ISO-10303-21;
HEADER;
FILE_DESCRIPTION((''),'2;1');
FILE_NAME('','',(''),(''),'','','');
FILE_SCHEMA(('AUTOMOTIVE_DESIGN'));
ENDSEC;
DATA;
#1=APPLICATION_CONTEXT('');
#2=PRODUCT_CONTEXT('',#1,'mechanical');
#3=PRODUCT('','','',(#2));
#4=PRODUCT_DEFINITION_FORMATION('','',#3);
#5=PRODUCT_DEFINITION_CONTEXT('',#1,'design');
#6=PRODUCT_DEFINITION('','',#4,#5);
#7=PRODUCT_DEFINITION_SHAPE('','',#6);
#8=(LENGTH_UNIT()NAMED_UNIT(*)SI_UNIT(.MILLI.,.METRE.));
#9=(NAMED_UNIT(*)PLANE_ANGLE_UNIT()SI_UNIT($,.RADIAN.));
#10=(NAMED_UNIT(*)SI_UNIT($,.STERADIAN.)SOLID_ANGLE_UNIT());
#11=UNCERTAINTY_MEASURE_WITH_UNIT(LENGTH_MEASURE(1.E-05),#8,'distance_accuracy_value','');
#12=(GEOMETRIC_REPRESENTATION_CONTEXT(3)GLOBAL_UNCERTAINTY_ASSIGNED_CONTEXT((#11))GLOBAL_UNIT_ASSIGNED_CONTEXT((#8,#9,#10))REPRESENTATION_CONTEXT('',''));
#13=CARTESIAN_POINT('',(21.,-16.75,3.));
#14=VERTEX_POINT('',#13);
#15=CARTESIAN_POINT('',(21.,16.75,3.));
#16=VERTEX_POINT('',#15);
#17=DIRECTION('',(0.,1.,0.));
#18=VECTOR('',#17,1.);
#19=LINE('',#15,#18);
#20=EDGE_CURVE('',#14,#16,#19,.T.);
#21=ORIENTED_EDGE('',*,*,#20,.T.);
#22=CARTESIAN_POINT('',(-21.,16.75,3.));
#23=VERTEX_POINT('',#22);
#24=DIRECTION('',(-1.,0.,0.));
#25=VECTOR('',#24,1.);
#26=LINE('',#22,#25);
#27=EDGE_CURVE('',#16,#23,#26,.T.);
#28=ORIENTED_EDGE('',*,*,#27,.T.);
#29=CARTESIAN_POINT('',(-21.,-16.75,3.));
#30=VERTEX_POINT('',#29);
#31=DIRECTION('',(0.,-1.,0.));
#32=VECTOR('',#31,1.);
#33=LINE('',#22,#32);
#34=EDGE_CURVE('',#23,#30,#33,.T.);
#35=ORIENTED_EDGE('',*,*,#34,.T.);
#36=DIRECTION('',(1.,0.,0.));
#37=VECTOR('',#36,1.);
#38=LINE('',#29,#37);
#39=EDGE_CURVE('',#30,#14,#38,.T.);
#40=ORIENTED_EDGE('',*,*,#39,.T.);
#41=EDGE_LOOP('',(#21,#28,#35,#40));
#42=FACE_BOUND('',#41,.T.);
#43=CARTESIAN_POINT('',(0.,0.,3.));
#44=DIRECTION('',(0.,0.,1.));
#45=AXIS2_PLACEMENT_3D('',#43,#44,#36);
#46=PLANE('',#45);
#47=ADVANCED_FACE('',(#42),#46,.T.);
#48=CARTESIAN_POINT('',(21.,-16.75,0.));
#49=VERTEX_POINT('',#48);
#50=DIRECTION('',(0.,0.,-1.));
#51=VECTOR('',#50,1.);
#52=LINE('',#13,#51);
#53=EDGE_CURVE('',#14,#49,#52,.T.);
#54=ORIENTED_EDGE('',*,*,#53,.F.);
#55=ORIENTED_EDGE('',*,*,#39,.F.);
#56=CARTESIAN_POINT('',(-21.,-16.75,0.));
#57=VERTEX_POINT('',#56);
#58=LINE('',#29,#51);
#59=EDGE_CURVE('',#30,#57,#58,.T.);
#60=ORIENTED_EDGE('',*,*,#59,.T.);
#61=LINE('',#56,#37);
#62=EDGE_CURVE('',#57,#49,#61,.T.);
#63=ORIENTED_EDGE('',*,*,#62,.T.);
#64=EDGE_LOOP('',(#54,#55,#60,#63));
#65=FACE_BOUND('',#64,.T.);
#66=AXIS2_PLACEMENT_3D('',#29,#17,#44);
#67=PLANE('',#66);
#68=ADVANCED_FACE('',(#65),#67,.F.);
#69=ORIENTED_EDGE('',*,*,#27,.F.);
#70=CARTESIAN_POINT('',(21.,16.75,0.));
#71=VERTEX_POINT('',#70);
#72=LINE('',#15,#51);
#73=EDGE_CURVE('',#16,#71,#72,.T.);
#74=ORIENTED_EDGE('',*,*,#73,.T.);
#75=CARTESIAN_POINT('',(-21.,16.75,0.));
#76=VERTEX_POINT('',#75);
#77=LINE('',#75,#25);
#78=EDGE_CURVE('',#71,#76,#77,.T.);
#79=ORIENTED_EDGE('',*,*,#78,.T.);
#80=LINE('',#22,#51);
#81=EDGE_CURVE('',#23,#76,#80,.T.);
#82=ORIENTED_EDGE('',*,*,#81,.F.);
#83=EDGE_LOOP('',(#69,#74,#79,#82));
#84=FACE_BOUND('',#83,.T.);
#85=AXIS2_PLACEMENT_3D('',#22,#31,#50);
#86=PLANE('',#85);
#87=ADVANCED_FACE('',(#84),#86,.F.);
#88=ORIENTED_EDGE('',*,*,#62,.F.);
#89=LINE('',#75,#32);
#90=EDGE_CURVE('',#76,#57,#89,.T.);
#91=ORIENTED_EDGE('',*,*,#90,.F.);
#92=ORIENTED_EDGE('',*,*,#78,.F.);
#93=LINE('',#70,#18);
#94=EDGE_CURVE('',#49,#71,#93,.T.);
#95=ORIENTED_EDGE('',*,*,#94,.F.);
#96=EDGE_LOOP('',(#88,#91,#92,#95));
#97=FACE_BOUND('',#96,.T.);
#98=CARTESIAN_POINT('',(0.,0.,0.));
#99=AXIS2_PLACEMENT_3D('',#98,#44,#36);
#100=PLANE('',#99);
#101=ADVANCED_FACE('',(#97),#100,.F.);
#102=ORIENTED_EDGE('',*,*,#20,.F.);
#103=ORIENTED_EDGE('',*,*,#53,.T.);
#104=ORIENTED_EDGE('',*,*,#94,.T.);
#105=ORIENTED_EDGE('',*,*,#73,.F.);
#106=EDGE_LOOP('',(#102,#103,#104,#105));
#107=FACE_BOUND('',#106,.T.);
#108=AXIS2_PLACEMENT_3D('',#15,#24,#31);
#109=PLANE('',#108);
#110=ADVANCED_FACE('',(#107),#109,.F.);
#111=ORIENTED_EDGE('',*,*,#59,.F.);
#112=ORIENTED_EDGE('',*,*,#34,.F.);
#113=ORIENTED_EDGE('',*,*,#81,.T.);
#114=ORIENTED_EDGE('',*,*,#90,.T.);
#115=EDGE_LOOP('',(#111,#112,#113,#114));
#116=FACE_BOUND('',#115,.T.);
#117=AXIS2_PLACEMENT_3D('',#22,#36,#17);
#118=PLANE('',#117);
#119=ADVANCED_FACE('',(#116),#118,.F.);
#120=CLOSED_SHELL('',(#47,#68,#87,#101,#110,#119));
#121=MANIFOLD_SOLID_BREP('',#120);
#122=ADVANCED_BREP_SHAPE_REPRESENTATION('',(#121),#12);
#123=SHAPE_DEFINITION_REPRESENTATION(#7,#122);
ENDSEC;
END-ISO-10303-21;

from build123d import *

# Parameters (mm, degrees)
SKETCH1_W           = 42
SKETCH1_H           = 33.5
BOSS_EXTRUDE1_DEPTH = 3


with BuildPart() as part:
    # Sketch1 → Boss-Extrude1 (new body)
    with BuildSketch(Plane.XY):
        Rectangle(SKETCH1_W, SKETCH1_H)
    extrude(amount=BOSS_EXTRUDE1_DEPTH)


solid = part.part
